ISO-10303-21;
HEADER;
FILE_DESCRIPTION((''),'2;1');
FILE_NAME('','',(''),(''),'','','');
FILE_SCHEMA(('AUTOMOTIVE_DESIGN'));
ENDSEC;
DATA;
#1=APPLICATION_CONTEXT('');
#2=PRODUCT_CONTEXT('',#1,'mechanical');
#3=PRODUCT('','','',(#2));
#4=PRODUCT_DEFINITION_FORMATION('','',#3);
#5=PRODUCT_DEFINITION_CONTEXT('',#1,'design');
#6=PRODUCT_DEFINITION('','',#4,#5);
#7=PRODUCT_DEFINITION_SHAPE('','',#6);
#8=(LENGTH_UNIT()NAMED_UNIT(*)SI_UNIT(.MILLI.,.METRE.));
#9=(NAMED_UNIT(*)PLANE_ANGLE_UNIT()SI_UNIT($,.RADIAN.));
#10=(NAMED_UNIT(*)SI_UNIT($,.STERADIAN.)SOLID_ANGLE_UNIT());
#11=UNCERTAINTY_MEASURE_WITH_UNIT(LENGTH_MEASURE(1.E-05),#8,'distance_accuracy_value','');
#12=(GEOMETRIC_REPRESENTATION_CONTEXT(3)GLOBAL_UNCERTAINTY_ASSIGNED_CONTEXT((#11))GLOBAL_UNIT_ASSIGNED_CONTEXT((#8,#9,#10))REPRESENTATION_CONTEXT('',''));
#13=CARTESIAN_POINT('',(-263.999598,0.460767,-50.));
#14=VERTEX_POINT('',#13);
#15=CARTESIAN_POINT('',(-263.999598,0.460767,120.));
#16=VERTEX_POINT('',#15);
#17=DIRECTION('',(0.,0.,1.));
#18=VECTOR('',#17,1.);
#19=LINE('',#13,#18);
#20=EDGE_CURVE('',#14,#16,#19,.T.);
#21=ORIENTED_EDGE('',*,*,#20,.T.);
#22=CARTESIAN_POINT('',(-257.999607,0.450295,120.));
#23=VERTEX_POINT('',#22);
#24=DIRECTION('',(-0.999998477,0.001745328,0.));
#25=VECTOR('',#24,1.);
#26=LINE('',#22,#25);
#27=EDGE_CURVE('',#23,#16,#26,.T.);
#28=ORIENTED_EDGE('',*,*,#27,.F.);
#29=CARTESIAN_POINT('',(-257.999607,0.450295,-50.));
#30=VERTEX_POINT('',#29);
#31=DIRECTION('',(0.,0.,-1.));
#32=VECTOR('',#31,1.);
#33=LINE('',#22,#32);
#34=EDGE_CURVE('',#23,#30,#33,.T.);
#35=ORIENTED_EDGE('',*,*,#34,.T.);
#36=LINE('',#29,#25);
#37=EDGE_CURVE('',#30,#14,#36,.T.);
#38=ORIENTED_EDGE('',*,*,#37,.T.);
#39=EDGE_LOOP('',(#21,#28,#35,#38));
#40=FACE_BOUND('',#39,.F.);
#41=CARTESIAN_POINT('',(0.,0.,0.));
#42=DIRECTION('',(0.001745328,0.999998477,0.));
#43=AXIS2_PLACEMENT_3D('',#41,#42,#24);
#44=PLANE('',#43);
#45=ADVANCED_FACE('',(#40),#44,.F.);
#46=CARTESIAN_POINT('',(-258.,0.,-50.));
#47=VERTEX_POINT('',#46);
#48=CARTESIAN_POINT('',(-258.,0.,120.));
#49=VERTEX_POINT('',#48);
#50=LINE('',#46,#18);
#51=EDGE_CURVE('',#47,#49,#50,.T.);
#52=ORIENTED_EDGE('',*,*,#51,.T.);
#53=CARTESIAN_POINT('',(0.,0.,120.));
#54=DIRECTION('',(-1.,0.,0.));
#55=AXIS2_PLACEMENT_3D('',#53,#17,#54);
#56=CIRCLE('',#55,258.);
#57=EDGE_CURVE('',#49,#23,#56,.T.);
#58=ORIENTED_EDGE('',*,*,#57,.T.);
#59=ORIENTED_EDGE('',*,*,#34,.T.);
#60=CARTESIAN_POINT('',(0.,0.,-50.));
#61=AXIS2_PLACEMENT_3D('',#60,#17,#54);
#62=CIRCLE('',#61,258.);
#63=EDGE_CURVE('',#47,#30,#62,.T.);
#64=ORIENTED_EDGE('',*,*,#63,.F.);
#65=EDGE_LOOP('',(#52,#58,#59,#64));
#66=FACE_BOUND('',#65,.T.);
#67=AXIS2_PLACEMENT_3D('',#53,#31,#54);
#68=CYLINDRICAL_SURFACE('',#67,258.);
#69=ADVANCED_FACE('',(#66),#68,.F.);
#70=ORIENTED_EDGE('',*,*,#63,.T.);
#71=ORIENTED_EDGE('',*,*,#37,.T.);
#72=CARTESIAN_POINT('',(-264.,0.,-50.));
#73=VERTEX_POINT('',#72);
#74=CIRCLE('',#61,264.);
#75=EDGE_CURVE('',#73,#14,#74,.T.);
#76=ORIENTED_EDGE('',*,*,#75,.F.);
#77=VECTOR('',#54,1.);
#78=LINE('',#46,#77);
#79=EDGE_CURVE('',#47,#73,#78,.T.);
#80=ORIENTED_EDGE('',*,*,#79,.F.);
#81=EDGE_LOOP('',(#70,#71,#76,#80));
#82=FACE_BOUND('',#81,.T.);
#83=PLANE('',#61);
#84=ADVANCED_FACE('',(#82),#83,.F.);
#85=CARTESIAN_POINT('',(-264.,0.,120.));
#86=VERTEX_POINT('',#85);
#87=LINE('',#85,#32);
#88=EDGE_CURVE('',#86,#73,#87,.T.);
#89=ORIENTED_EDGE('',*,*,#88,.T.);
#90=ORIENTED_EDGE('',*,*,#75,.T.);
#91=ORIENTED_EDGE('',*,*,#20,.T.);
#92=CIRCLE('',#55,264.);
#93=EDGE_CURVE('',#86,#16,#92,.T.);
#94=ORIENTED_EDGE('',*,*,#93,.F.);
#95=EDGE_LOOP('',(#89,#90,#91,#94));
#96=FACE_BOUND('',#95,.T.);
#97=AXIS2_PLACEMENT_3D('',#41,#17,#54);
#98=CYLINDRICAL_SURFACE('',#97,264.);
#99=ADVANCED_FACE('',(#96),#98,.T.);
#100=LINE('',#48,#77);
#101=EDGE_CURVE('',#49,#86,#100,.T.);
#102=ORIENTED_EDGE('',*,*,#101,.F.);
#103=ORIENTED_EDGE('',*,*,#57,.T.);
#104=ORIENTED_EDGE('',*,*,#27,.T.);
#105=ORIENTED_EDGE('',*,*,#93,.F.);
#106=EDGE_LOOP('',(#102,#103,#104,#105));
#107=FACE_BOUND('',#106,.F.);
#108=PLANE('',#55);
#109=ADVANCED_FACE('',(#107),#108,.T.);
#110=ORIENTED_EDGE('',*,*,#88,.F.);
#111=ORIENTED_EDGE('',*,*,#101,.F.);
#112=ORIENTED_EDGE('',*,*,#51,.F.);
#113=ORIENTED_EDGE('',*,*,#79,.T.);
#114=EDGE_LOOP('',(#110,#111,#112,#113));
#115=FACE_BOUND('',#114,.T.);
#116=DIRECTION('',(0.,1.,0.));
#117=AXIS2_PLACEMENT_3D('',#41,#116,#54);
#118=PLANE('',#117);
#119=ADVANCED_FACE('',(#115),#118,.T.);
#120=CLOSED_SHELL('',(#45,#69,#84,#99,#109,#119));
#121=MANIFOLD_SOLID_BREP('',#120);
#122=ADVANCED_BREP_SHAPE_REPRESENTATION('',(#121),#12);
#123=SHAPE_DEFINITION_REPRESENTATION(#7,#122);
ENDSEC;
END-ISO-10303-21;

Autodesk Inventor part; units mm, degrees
ref_plane "YZ Plane" through (0, 0, 0) normal (1, 0, 0) x (0, 1, 0)
ref_plane "XZ Plane" through (0, 0, 0) normal (0, 1, 0) x (-1, 0, 0)
ref_plane "XY Plane" through (0, 0, 0) normal (0, 0, 1) x (1, 0, 0)
sketch "Sketch1" plane through (0, 0, 0) normal (0, 1, 0) x (-1, 0, 0)
  line L0 (258, 120) -> (258, 0)
  line L1 (258, 0) -> (264, 0)
  line L2 (0, 0) -> (0, 109.131)
  line L3 (258, 120) -> (264, 120)
  line L4 (264, 0) -> (264, 120)
  line L5 (264, 0) -> (258, 0)
  line L6 (258, 0) -> (258, -50)
  line L7 (258, -50) -> (264, -50)
  line L8 (264, -50) -> (264, 0)
  point P0 (261, 0)
  point P1 (264, 0)
  point P2 (258, 0)
  point P3 (258, 0)
  dimension "d3" = 6
  dimension "d5" = 120
  dimension "d7" = 6
  dimension "d8" = 50
  dimension "d12" = 528
revolve "Revolution1" add sketch "Sketch1" angle 359.9 about axis through (0, 0, 0) along (0, 0, 1)
sketch "Sketch2" plane through (0, 0, 0) normal (0, 1, 0) x (-1, 0, 0)
  circle A0 centre (0, -706) radius 706
  point P0 (0, 0)
  dimension "d9" = 1412
extrude "Extrusion1" [suppressed]
equation "\"d5\" = Accsess_hatch_lenght"
equation "\"d7\" = d3"
equation "\"BendRadius\" = Thickness"
equation "\"BendReliefWidth\" = Thickness"
equation "\"BendReliefDepth\" = 0.5 * Thickness"
equation "\"CornerReliefSize\" = 4 * Thickness"
equation "\"MinimumRemnant\" = 2 * Thickness"
equation "\"TransitionRadius\" = BendRadius"
equation "\"JacobiRadiusSize\" = BendRadius"
equation "\"GapSize\" = Thickness"
equation "\"Accsess_hatch_lenght\" = 120"
equation "\"Thickness\" = 6"
properties part number "ANP 14031 accses hatch tube" material "Steel"
